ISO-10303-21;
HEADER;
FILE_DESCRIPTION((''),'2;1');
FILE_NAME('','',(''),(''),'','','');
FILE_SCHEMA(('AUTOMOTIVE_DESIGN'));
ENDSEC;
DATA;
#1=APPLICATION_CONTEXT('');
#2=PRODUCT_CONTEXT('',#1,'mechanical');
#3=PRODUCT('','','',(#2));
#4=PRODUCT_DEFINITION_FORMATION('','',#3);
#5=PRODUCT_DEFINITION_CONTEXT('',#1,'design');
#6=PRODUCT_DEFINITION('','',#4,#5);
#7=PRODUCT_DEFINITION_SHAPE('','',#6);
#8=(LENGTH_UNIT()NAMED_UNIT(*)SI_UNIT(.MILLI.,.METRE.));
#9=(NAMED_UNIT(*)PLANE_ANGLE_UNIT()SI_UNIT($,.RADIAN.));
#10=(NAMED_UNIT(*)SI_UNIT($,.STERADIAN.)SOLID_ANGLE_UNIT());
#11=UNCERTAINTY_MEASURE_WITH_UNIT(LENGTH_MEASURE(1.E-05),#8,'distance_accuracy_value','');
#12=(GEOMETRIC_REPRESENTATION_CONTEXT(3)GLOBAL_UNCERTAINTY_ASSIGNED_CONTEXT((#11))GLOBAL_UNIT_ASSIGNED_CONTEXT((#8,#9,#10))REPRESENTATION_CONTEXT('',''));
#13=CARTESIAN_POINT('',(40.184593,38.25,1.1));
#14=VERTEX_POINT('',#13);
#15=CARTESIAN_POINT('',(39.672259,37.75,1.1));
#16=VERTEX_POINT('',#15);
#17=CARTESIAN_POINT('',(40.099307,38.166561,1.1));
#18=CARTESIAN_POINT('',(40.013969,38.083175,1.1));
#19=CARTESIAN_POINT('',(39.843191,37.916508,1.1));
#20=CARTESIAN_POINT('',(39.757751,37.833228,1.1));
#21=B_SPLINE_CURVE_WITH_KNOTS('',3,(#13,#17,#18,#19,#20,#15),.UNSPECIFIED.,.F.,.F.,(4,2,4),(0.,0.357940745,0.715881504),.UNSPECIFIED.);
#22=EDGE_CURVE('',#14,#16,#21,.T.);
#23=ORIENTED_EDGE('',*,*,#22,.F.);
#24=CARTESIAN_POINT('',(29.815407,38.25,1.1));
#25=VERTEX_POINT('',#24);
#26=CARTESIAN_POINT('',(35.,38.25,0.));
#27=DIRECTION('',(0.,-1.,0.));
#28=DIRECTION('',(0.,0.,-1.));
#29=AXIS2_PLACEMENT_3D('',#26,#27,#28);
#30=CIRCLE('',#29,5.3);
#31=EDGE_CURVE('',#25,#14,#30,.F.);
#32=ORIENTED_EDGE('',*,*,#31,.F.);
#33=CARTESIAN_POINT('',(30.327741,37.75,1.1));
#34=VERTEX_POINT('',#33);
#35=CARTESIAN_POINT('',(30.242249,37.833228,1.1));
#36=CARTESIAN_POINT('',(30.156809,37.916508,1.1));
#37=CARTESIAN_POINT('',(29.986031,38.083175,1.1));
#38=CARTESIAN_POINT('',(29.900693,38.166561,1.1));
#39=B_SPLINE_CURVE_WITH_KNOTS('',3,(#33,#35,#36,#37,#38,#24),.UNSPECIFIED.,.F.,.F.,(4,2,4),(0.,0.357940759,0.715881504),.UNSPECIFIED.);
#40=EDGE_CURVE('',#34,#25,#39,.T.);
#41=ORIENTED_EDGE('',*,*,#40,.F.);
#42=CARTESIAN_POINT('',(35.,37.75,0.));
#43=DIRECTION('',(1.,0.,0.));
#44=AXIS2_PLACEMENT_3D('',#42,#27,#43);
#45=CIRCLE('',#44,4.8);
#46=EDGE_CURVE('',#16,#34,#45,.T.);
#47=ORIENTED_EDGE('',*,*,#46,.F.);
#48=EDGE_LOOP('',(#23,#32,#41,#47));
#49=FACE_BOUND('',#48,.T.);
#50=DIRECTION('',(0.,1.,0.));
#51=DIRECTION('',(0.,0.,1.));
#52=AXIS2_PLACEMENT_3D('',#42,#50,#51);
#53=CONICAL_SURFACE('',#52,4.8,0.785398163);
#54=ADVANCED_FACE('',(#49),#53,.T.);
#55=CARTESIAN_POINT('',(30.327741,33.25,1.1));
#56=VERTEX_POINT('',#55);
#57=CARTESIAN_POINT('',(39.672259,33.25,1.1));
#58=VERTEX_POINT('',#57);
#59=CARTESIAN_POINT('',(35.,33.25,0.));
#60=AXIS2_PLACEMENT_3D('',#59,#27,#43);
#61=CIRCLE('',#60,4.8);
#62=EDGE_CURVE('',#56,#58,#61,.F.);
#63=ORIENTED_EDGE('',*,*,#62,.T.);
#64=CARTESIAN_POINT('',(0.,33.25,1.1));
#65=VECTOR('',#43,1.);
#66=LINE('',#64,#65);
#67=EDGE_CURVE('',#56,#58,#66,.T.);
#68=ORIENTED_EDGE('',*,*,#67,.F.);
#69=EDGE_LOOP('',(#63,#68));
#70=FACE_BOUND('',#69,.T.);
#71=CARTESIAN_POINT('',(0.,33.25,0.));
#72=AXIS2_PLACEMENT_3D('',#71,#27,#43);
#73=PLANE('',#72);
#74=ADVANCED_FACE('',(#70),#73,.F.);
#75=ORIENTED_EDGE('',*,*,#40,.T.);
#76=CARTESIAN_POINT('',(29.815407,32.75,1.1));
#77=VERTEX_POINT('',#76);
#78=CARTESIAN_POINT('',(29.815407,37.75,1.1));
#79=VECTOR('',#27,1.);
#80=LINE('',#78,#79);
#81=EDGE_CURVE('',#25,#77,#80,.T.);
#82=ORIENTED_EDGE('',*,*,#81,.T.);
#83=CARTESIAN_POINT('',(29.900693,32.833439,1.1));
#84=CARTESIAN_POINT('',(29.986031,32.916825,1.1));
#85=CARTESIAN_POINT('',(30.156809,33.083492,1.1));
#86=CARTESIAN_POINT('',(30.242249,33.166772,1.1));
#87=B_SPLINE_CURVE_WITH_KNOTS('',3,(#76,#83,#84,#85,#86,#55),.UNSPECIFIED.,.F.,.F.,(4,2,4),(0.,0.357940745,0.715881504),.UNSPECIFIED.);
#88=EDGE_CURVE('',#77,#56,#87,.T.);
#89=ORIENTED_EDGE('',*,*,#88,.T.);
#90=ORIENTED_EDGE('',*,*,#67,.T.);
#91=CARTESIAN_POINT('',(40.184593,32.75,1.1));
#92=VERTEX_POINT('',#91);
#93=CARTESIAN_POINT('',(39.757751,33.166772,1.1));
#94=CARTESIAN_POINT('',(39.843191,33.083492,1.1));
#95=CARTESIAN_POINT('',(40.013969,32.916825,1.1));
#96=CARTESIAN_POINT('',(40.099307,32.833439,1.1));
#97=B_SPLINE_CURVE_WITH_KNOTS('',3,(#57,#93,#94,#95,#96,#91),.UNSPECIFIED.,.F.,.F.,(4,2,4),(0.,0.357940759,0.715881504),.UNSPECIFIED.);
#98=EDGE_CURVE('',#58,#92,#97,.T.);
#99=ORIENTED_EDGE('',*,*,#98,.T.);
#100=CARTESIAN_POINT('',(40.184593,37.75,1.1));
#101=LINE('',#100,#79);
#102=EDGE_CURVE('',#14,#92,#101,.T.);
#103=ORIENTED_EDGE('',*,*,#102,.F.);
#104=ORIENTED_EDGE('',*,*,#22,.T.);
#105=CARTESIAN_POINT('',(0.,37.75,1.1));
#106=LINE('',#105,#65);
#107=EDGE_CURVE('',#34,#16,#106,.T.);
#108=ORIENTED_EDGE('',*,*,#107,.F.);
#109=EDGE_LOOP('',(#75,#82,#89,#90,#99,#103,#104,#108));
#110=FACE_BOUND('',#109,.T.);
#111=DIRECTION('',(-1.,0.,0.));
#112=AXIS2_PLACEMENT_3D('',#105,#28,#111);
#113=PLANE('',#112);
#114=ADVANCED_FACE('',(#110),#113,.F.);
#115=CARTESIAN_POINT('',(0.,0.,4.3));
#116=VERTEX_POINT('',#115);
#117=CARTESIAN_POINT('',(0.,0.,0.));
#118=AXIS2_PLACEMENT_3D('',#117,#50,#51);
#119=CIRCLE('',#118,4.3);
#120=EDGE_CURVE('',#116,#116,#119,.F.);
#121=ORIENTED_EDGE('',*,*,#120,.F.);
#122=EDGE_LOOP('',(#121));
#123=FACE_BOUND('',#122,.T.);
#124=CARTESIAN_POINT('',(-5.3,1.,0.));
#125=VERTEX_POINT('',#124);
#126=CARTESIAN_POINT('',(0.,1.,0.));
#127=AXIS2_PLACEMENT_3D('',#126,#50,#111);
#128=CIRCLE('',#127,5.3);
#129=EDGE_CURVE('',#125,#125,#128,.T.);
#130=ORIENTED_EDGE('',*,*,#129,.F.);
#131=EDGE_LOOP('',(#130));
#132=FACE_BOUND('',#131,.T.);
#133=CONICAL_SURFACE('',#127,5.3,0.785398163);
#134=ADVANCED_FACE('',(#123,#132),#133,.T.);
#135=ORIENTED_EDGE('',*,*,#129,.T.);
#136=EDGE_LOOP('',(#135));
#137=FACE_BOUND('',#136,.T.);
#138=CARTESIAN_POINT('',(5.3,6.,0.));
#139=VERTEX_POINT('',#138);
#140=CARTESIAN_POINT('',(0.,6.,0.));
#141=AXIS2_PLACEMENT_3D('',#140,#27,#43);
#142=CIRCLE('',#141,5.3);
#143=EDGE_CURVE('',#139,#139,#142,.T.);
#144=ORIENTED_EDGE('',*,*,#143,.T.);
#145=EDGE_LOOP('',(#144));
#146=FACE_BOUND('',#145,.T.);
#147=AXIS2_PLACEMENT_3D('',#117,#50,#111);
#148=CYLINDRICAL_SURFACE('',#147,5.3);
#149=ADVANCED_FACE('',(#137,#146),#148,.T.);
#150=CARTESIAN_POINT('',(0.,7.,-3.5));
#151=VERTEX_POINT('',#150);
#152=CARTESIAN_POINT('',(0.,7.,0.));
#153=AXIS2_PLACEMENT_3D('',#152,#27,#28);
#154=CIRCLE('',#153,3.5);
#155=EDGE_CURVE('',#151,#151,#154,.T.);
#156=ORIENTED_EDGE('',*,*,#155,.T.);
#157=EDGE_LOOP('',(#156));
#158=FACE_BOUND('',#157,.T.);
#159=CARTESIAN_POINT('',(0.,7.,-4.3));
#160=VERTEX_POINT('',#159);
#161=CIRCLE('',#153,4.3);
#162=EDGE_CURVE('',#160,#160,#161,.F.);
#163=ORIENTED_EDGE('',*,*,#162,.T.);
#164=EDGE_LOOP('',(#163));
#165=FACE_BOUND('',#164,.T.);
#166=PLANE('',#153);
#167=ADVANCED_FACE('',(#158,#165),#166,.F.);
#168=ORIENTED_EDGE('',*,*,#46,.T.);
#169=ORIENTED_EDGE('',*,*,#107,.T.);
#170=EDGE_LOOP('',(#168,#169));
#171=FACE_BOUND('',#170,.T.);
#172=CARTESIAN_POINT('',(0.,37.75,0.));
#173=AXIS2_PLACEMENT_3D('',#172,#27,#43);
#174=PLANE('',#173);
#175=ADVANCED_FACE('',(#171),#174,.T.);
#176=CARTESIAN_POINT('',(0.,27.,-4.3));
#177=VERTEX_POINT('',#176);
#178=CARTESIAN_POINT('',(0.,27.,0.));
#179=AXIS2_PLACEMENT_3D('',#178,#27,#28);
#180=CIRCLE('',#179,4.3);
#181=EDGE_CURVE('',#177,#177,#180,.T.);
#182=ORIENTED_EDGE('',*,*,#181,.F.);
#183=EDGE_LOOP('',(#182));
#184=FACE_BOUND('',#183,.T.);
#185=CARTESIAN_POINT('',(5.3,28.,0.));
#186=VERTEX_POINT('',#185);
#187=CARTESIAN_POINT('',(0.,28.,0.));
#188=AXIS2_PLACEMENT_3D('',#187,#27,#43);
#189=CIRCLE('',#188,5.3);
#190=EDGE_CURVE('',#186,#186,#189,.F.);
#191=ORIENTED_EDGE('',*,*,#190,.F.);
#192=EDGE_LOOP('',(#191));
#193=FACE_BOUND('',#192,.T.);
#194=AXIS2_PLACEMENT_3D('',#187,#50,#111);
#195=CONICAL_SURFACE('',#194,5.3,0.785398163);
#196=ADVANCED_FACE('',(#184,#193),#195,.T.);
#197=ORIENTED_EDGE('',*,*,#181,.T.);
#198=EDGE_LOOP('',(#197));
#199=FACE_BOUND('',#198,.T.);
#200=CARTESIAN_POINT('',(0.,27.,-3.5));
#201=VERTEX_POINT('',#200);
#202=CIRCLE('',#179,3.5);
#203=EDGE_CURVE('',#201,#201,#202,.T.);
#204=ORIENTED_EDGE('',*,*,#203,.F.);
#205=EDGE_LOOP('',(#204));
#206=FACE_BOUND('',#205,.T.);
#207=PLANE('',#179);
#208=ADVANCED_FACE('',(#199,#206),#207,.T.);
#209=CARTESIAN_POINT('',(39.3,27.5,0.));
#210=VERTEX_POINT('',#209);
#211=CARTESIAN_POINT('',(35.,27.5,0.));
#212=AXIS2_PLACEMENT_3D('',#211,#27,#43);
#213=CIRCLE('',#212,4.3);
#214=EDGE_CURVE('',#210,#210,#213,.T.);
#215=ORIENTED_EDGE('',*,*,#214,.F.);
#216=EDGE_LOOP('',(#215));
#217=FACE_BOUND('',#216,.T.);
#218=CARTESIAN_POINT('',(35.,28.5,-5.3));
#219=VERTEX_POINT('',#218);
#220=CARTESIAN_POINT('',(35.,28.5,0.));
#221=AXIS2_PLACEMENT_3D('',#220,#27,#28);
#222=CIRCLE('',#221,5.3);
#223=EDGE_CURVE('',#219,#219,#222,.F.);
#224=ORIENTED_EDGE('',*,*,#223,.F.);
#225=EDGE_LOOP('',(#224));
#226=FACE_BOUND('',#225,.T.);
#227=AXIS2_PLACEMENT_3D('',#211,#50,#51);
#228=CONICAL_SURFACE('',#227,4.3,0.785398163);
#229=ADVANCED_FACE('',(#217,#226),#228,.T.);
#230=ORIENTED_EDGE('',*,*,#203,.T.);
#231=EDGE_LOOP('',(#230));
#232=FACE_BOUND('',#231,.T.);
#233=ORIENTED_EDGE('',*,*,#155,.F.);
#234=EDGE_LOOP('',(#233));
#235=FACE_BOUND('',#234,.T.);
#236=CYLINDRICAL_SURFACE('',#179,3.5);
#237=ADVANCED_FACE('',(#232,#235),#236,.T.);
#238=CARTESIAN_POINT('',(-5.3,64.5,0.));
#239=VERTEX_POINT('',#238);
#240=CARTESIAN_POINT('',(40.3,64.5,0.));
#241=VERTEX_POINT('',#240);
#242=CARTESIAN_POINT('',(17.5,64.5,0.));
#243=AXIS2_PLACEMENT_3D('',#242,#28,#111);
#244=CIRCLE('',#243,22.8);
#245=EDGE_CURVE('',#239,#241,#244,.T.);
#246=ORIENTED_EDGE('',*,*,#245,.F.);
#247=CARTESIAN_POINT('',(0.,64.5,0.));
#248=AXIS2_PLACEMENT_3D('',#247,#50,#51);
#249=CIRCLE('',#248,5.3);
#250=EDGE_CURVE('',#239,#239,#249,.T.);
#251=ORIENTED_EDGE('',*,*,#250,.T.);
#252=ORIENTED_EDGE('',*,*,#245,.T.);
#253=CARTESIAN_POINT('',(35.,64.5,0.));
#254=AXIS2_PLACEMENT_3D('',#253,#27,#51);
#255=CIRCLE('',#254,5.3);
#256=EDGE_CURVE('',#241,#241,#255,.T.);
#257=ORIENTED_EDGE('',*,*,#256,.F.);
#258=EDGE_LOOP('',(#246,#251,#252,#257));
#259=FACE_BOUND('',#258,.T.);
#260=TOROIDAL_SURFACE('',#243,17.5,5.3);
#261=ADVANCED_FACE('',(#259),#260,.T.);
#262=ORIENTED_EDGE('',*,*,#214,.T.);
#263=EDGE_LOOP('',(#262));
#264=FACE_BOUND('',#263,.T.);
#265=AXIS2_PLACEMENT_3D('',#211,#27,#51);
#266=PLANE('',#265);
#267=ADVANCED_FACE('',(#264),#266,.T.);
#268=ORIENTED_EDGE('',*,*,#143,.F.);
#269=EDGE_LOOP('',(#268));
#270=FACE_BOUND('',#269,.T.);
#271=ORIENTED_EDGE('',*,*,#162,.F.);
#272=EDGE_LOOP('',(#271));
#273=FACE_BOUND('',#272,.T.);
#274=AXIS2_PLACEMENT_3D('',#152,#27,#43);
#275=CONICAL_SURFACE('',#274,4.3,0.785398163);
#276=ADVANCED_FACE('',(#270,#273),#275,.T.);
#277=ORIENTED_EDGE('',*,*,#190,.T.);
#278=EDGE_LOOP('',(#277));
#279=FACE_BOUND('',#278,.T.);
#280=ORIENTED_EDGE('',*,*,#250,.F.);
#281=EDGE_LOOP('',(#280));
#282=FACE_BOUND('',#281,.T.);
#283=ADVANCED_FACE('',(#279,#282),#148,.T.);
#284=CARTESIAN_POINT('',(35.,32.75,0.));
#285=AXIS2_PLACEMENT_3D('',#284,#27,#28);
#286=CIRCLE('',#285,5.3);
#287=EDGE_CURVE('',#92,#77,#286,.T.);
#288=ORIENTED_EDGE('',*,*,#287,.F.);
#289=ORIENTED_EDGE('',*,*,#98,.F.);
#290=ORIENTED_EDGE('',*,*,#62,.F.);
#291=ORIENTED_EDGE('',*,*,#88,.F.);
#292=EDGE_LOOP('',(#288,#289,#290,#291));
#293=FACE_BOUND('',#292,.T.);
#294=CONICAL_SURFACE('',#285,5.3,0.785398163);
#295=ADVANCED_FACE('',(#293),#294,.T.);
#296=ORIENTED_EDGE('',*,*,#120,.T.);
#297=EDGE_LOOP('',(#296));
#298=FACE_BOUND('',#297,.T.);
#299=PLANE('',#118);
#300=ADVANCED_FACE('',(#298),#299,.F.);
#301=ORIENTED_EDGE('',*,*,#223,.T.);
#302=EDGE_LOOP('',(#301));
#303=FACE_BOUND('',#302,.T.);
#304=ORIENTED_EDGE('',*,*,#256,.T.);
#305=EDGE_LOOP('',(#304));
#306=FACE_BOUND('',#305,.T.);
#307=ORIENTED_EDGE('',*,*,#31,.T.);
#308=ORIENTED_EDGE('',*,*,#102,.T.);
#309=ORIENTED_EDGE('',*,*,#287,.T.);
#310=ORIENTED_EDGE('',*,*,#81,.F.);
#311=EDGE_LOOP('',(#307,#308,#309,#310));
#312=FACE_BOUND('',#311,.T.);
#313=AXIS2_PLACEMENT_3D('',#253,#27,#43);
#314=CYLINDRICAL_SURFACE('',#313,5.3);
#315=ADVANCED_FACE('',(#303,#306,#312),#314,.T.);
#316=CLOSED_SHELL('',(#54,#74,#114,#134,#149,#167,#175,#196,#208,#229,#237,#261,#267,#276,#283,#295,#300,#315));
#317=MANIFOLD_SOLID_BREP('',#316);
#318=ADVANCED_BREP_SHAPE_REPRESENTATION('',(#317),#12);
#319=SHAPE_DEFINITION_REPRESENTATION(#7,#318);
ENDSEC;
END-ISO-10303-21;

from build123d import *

# Parameters (mm, degrees)
SKETCH2_R          = 5.3
CUT_EXTRUDE1_START = -5.75
CUT_EXTRUDE1_DEPTH = 4.5
CUT_EXTRUDE2_START = -7
SKETCH6_R          = 5.475
SKETCH6_R_2        = 3.5
CUT_EXTRUDE2_DEPTH = 20
CHAMFER1_SIZE      = 1
CHAMFER2_SIZE      = 0.5


with BuildPart() as part:
    # Sweep1: sweep along a path in Sketch1
    with BuildLine(Plane.XY) as sweep1_path:
        Line((0, 0), (0, 64.5))
        ThreePointArc((0, 64.5), (17.5, 82), (35, 64.5))
        Line((35, 64.5), (35, 27.5))
    # Sketch2 → Sweep1 (sweep)
    with BuildSketch(Plane(origin=(0, 0, 0), x_dir=(1, 0, 0), z_dir=(0, 1, 0))):
        Circle(SKETCH2_R)
    sweep(path=sweep1_path.line)

    # Sketch4 → Cut-Extrude1 (cut)
    with BuildSketch(Plane.XZ.offset(-27.5).offset(CUT_EXTRUDE1_START)):
        with BuildLine():
            Line((29.815407441, 1.1), (40.184592559, 1.1))
            ThreePointArc((40.184592559, 1.1), (35, 5.3), (29.815407441, 1.1))
        make_face()
    extrude(amount=-CUT_EXTRUDE1_DEPTH, mode=Mode.SUBTRACT)

    # Sketch6 → Cut-Extrude2 (cut)
    with BuildSketch(Plane.XZ.offset(CUT_EXTRUDE2_START)):
        Circle(SKETCH6_R)
        with Locations(Location((0, 0, 0), (0, 0, 270))):
            Circle(SKETCH6_R_2, mode=Mode.SUBTRACT)
    extrude(amount=-CUT_EXTRUDE2_DEPTH, mode=Mode.SUBTRACT)

    # Chamfer1
    chamfer1_edges = [part.edges().sort_by_distance(p)[0] for p in [
        (40.3, 27.5, 0),
        (-5.3, 7, 0),
        (-5.3, 27, 0),
        (-5.3, 0, 0),
    ]]
    chamfer(chamfer1_edges, length=CHAMFER1_SIZE)

    # Chamfer2
    chamfer2_edges = [part.edges().sort_by_distance(p)[0] for p in [
        (35, 37.75, 5.3),
        (35, 33.25, 5.3),
    ]]
    chamfer(chamfer2_edges, length=CHAMFER2_SIZE)


solid = part.part
